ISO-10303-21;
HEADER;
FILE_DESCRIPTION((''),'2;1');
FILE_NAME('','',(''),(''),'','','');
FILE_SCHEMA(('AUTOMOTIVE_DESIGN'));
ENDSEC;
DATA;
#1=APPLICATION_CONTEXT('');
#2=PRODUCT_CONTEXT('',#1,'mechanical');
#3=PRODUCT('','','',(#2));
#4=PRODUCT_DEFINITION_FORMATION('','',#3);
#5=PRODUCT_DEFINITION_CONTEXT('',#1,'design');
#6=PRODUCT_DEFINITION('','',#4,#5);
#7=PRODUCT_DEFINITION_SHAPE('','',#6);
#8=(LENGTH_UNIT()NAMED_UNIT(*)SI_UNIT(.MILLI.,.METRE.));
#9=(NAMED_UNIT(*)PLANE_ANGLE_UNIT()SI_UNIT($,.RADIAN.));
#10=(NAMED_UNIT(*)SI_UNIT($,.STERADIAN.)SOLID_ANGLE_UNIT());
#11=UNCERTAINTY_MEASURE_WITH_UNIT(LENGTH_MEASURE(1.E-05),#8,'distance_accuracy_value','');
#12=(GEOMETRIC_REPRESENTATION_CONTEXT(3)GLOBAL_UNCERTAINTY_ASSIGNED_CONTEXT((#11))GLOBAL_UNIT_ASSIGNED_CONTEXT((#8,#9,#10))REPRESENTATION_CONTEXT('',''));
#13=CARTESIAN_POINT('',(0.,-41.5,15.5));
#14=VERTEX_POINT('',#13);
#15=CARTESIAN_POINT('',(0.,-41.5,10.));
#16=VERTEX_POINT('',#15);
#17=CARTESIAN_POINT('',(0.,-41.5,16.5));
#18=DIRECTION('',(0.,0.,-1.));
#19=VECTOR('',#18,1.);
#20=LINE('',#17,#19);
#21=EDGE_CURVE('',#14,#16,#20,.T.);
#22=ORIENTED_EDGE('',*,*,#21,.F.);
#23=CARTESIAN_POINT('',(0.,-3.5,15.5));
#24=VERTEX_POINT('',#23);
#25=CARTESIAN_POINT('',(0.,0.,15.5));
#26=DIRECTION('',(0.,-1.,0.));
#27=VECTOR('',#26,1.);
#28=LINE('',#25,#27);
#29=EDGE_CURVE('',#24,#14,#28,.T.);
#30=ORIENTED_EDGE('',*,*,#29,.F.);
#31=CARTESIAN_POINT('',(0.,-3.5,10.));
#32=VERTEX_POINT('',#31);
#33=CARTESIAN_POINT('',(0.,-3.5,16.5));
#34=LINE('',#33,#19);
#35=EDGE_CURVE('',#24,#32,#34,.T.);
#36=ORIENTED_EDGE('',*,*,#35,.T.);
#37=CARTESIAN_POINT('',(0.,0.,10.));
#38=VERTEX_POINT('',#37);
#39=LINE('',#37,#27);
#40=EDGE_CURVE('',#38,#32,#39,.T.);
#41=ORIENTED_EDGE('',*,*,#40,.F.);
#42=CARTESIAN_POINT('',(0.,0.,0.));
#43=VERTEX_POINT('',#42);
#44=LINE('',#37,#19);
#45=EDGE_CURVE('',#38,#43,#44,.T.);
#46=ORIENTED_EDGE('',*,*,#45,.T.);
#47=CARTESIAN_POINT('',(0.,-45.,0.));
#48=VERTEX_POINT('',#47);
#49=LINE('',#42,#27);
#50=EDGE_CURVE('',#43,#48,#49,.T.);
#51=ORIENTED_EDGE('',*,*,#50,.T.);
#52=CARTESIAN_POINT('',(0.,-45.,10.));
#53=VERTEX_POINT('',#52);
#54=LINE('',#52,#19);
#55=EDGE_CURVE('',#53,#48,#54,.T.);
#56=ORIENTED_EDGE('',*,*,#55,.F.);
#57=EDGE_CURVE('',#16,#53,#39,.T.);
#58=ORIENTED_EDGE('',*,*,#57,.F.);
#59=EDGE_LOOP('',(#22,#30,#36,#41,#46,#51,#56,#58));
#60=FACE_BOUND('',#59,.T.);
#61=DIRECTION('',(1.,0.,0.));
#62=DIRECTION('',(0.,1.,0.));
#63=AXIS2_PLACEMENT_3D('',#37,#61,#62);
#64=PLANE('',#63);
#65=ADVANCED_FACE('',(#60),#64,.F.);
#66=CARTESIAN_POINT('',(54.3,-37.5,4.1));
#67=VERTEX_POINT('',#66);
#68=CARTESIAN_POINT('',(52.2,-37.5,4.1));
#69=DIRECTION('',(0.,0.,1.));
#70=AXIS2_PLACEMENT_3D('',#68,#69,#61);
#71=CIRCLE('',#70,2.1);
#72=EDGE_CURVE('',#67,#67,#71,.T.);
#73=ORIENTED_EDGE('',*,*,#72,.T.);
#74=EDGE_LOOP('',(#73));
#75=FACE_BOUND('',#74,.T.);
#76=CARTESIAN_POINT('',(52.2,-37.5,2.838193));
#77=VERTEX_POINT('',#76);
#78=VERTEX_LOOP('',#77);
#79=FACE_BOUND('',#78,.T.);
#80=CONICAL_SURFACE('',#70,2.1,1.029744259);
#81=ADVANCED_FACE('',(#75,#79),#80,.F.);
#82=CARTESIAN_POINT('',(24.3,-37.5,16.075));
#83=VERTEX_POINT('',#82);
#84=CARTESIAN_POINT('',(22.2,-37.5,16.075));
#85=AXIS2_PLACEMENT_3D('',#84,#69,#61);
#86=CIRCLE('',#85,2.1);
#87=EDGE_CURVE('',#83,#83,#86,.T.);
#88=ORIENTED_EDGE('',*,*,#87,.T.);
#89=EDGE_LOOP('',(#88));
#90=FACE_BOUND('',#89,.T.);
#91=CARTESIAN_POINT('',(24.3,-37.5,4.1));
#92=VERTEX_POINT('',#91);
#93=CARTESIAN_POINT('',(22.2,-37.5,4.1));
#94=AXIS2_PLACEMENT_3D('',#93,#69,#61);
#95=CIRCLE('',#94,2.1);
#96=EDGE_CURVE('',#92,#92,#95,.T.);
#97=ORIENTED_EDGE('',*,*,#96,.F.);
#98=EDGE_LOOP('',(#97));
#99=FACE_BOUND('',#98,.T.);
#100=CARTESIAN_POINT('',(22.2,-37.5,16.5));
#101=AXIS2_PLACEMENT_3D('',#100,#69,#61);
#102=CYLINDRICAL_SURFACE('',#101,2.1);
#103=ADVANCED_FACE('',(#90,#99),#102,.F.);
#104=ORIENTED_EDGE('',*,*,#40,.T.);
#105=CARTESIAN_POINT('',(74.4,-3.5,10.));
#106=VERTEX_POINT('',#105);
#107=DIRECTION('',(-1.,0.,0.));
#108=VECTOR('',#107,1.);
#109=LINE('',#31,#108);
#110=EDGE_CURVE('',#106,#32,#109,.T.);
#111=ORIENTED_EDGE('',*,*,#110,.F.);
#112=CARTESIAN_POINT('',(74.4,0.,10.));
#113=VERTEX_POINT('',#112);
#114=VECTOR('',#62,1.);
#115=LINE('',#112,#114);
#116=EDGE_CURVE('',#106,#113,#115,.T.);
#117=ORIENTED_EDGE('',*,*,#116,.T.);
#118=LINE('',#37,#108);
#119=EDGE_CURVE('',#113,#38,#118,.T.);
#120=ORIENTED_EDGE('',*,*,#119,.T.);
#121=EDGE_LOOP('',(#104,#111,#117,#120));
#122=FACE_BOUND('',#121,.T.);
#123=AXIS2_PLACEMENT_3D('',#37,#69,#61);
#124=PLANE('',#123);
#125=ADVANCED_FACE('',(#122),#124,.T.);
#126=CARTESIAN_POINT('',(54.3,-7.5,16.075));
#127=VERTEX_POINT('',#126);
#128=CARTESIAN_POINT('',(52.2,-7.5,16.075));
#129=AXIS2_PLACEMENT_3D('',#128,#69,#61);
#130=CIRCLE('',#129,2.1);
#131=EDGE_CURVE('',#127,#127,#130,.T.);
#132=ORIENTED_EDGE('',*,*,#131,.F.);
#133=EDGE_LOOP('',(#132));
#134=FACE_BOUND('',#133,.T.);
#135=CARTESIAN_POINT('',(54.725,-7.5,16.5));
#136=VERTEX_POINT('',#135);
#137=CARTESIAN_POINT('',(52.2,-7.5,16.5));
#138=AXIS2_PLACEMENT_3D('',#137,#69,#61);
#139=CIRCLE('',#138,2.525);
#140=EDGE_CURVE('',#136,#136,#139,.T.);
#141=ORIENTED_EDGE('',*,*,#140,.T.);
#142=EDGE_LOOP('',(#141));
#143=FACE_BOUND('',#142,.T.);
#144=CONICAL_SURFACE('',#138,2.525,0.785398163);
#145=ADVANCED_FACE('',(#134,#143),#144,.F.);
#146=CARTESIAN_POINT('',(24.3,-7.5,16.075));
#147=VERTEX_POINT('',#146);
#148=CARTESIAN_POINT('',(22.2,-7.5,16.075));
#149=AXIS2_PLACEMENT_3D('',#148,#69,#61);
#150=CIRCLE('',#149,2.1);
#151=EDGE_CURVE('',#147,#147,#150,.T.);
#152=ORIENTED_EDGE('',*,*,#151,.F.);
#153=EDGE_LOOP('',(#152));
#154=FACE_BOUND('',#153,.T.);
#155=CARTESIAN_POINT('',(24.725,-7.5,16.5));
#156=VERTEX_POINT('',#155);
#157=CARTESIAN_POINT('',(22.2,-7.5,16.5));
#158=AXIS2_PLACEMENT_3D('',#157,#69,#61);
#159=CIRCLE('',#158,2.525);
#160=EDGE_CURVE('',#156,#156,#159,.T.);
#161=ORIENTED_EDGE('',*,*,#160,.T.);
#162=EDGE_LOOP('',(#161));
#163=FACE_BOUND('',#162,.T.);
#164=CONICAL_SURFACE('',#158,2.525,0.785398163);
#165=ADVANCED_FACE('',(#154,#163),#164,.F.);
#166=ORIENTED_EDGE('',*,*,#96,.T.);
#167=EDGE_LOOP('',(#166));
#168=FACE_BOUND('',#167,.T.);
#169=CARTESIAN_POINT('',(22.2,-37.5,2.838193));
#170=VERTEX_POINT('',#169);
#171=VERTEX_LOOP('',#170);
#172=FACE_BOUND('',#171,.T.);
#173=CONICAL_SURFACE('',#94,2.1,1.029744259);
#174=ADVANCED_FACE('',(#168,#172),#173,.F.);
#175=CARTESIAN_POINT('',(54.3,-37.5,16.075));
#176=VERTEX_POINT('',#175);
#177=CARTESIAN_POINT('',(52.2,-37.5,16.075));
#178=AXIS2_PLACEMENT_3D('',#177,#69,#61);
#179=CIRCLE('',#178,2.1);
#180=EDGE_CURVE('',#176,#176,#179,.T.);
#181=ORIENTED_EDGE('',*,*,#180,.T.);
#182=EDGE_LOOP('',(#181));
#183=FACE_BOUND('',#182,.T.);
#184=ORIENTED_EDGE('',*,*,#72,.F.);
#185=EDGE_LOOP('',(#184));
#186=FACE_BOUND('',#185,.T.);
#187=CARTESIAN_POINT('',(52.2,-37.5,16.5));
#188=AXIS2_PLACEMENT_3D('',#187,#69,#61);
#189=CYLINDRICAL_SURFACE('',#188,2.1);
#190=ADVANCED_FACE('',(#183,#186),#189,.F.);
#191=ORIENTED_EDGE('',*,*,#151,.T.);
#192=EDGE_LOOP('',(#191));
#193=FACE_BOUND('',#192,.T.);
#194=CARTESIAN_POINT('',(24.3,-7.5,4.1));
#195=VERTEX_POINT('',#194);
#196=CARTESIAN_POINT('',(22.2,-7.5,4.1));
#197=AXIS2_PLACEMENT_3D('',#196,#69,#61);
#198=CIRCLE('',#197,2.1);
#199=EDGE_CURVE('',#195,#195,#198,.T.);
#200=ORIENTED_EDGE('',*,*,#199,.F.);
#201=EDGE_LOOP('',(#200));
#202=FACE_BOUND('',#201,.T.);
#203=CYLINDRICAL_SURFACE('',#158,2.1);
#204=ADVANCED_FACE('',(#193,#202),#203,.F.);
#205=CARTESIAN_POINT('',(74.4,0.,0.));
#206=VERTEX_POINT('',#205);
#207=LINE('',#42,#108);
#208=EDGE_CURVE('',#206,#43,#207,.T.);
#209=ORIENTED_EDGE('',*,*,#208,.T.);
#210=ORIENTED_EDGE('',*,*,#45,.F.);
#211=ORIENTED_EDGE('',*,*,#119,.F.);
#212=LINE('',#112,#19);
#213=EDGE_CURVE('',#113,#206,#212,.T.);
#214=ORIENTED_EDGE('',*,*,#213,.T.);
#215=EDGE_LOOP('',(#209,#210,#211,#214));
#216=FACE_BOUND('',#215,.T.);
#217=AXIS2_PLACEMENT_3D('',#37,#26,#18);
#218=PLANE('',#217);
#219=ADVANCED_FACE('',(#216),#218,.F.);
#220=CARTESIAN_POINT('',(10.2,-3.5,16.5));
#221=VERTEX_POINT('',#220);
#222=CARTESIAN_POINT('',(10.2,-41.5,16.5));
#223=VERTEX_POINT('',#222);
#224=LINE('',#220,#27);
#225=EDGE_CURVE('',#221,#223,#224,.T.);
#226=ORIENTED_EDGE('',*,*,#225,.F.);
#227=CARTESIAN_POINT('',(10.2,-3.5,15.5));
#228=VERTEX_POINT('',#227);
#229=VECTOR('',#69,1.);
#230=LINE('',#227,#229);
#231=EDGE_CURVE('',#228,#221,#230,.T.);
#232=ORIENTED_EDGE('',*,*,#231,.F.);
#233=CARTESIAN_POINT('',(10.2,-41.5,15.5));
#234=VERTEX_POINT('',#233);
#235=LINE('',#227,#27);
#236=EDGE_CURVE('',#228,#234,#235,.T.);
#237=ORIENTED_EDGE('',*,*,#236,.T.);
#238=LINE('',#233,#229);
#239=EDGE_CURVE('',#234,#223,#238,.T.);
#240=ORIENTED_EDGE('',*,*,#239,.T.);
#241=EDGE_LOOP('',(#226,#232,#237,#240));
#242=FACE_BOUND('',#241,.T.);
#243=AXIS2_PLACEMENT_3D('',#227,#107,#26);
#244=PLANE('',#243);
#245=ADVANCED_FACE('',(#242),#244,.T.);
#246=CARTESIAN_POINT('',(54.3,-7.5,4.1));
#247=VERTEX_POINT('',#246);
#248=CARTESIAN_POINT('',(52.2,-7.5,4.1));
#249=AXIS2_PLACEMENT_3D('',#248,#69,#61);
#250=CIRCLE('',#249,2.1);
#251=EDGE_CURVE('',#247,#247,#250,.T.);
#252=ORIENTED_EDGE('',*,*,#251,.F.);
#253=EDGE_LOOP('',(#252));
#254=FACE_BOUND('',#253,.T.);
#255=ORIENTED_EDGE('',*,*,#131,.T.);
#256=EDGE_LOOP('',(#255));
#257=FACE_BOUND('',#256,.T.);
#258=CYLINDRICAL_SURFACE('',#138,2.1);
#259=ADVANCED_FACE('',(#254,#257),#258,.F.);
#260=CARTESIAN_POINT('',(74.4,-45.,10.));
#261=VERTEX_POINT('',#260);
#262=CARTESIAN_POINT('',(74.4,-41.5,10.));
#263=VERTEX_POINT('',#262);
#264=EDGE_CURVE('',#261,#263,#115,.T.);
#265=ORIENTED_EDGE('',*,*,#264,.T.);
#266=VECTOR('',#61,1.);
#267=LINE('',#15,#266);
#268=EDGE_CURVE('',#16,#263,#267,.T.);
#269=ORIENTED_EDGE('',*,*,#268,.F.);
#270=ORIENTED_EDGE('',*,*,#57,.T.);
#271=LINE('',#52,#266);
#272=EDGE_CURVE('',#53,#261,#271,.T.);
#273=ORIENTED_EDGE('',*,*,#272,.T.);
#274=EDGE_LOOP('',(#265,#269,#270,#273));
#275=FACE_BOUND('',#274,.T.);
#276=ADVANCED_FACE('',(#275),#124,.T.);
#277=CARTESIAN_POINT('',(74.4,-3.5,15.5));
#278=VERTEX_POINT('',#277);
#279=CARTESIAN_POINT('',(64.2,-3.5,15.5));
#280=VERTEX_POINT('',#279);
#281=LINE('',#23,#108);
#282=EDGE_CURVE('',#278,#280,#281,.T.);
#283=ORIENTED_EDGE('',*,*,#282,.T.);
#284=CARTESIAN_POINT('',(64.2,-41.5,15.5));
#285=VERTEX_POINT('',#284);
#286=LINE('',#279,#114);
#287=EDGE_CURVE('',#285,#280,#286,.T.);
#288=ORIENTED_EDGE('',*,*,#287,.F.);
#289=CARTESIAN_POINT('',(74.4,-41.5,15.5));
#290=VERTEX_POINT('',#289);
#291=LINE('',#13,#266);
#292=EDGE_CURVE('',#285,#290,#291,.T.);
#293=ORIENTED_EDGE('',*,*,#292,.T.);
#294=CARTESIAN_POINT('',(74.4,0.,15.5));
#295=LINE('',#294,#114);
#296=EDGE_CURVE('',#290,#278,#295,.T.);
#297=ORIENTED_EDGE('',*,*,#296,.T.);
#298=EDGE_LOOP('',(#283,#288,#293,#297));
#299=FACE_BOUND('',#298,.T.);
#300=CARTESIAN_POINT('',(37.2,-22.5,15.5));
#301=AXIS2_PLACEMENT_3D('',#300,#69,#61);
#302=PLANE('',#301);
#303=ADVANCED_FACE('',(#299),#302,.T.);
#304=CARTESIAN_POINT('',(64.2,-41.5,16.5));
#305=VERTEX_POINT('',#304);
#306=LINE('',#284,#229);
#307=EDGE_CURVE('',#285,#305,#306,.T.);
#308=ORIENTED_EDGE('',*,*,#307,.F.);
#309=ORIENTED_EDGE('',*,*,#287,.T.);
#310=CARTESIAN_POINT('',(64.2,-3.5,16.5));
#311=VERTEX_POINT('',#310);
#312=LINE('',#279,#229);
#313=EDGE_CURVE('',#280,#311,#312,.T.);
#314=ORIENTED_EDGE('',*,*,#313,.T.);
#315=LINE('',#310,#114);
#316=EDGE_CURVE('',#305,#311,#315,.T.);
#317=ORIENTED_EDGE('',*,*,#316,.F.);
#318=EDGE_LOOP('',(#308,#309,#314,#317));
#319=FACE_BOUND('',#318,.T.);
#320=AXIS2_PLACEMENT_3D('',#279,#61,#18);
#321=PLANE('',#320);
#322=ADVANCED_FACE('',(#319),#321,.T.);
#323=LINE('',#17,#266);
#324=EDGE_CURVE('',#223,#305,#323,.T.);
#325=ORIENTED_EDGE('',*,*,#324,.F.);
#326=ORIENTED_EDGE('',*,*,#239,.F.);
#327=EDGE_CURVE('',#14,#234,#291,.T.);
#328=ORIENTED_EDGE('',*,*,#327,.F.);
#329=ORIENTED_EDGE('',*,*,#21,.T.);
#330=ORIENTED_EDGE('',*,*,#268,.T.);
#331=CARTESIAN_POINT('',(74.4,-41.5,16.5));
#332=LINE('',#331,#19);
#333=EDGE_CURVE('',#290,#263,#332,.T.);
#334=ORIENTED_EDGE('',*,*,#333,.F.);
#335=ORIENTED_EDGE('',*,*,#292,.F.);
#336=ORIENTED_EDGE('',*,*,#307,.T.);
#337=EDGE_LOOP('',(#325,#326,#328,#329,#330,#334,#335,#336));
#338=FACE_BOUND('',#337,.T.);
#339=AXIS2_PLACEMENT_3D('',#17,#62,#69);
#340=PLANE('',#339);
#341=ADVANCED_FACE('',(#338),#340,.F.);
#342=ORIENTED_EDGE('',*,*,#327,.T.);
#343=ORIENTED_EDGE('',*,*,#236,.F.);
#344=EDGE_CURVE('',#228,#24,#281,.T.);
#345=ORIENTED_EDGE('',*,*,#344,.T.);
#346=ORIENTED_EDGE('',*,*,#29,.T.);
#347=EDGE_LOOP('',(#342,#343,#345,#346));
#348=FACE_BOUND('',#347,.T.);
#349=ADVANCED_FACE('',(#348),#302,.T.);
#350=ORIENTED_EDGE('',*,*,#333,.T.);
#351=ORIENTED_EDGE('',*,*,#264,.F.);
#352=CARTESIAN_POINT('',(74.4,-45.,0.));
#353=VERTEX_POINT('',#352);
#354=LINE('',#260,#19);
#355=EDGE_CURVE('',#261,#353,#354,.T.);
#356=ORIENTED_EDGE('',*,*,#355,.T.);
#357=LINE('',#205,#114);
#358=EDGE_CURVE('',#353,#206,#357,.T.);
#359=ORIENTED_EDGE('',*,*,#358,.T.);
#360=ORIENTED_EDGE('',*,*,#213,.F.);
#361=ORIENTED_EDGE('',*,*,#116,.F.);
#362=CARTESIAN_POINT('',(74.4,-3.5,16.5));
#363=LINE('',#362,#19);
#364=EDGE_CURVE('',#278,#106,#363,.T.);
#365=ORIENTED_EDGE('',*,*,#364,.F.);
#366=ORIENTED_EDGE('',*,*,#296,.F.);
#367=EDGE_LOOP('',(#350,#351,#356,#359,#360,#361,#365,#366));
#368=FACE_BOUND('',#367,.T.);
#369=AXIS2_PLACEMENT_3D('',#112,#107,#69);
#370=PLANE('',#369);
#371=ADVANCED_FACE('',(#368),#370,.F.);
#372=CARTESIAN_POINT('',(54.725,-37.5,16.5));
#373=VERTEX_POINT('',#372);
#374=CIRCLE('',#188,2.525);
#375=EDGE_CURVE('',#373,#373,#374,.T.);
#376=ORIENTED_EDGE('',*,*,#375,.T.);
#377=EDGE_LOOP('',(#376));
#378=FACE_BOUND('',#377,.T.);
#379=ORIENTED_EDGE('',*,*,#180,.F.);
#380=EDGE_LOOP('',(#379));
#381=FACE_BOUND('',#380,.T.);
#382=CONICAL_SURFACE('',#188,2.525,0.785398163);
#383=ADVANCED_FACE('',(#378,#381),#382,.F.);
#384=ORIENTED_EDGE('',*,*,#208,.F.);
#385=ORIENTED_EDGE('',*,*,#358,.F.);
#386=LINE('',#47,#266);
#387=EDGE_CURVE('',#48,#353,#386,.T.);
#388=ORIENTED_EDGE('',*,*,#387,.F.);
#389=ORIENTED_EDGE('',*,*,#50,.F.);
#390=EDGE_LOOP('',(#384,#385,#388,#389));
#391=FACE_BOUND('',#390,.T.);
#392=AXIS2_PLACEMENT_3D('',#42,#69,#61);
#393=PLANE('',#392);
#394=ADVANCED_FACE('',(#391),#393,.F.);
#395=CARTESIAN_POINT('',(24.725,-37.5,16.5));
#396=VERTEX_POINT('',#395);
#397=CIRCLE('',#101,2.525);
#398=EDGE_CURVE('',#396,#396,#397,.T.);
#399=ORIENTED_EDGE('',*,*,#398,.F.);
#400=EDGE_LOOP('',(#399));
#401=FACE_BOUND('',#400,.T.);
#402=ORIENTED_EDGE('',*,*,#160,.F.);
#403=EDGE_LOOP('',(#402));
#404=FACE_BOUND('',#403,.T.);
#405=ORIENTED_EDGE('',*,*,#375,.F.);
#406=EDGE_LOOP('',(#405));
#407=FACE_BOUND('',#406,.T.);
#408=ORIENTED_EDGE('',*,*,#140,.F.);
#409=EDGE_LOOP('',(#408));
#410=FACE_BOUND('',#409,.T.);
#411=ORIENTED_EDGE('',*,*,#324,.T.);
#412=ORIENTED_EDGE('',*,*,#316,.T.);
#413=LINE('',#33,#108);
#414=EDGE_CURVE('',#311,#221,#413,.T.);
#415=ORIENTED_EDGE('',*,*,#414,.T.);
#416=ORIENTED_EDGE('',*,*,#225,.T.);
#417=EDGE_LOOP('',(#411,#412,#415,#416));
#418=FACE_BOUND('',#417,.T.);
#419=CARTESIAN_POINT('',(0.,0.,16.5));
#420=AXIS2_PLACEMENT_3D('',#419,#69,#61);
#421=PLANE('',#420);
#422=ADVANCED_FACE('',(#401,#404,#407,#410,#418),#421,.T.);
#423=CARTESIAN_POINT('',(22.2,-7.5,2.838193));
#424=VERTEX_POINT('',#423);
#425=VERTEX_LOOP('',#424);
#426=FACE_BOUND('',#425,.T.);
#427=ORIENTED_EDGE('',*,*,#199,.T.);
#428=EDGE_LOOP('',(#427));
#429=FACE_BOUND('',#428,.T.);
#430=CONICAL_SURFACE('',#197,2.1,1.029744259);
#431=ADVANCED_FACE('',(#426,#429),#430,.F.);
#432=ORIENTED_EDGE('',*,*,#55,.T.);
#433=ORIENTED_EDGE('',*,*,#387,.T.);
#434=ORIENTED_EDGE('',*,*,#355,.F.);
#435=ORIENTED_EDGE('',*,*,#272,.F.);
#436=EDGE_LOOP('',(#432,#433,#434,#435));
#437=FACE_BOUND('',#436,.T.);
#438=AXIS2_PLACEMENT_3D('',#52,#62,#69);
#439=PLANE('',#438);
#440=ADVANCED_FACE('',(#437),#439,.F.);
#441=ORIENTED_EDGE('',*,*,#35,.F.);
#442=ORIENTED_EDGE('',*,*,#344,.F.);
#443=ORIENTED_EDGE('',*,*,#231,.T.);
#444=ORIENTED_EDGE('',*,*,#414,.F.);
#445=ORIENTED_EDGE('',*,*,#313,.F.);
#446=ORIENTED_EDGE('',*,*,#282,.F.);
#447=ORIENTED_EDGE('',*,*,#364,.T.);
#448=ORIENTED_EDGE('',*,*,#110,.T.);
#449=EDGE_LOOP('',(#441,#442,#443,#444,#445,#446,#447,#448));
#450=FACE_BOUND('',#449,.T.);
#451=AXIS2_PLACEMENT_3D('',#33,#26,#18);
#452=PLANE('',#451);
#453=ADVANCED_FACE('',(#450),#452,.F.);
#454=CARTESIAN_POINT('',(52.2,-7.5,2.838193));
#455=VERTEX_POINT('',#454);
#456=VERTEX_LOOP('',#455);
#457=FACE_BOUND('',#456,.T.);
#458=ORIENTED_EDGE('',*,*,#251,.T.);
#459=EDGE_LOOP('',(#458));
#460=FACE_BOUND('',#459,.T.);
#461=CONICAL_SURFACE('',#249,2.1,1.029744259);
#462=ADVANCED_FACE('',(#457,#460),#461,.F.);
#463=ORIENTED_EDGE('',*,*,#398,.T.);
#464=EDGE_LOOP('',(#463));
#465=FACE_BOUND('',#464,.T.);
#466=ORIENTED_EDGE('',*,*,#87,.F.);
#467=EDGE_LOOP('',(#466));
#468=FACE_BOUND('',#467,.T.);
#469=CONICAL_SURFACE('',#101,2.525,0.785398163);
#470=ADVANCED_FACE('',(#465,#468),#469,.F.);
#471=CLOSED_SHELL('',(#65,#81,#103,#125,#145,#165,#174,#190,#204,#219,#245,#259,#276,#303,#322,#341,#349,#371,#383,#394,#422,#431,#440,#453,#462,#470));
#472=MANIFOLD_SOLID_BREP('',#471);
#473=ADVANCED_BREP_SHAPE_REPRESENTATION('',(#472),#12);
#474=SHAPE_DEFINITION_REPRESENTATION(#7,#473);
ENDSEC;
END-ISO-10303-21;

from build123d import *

# Parameters (mm, degrees)
SKETCH_1_W                   = 74.4
SKETCH_1_H                   = 45
EXTRUDE_1_DEPTH              = 10
SKETCH_2_W                   = 74.4
SKETCH_2_H                   = 38
EXTRUDE_2_DEPTH              = 6.5
HOLE_WIZARD_M5_1_D           = 4.2
HOLE_WIZARD_M5_1_DEPTH       = 12.4
HOLE_WIZARD_M5_1_CSINK_D     = 5.05
HOLE_WIZARD_M5_1_CSINK_ANGLE = 90
HOLE_WIZARD_M5_1_TIP         = 1.2618073
SKETCH_5_OUTSIDE_W           = 94.1
SKETCH_5_OUTSIDE_H           = 64.7
SKETCH_5_OUTSIDE_W_2         = 54
SKETCH_5_OUTSIDE_H_2         = 38
CUT_EXTRUDE_1_DEPTH          = 1


with BuildPart() as part:
    # 草图1 → 凸台-拉伸1 (new body)
    with BuildSketch(Plane.XY):
        with Locations((37.2, -22.5)):
            Rectangle(SKETCH_1_W, SKETCH_1_H)
    extrude(amount=EXTRUDE_1_DEPTH)

    # 草图2 → 凸台-拉伸2 (add)
    with BuildSketch(Plane.XY.offset(10)):
        with Locations((37.2, -22.5)):
            Rectangle(SKETCH_2_W, SKETCH_2_H)
    extrude(amount=EXTRUDE_2_DEPTH)

    # M5 螺纹孔1
    with Locations(Plane.XY.offset(16.5)):
        with Locations((22.2, -7.5), (52.2, -7.5), (52.2, -37.5), (22.2, -37.5)):
            CounterSinkHole(HOLE_WIZARD_M5_1_D / 2, HOLE_WIZARD_M5_1_CSINK_D / 2, depth=HOLE_WIZARD_M5_1_DEPTH, counter_sink_angle=HOLE_WIZARD_M5_1_CSINK_ANGLE)
            with Locations((0, 0, -(HOLE_WIZARD_M5_1_DEPTH + HOLE_WIZARD_M5_1_TIP / 2))):  # 118° drill point
                Cone(0, HOLE_WIZARD_M5_1_D / 2, HOLE_WIZARD_M5_1_TIP, mode=Mode.SUBTRACT)

    # 草图5 outside → 切除-拉伸1 (cut)
    with BuildSketch(Plane.XY.offset(16.5)):
        with Locations((37.2, -22.5)):
            Rectangle(SKETCH_5_OUTSIDE_W, SKETCH_5_OUTSIDE_H)
        with Locations((37.2, -22.5)):
            Rectangle(SKETCH_5_OUTSIDE_W_2, SKETCH_5_OUTSIDE_H_2, mode=Mode.SUBTRACT)
    extrude(amount=-CUT_EXTRUDE_1_DEPTH, mode=Mode.SUBTRACT)


solid = part.part
